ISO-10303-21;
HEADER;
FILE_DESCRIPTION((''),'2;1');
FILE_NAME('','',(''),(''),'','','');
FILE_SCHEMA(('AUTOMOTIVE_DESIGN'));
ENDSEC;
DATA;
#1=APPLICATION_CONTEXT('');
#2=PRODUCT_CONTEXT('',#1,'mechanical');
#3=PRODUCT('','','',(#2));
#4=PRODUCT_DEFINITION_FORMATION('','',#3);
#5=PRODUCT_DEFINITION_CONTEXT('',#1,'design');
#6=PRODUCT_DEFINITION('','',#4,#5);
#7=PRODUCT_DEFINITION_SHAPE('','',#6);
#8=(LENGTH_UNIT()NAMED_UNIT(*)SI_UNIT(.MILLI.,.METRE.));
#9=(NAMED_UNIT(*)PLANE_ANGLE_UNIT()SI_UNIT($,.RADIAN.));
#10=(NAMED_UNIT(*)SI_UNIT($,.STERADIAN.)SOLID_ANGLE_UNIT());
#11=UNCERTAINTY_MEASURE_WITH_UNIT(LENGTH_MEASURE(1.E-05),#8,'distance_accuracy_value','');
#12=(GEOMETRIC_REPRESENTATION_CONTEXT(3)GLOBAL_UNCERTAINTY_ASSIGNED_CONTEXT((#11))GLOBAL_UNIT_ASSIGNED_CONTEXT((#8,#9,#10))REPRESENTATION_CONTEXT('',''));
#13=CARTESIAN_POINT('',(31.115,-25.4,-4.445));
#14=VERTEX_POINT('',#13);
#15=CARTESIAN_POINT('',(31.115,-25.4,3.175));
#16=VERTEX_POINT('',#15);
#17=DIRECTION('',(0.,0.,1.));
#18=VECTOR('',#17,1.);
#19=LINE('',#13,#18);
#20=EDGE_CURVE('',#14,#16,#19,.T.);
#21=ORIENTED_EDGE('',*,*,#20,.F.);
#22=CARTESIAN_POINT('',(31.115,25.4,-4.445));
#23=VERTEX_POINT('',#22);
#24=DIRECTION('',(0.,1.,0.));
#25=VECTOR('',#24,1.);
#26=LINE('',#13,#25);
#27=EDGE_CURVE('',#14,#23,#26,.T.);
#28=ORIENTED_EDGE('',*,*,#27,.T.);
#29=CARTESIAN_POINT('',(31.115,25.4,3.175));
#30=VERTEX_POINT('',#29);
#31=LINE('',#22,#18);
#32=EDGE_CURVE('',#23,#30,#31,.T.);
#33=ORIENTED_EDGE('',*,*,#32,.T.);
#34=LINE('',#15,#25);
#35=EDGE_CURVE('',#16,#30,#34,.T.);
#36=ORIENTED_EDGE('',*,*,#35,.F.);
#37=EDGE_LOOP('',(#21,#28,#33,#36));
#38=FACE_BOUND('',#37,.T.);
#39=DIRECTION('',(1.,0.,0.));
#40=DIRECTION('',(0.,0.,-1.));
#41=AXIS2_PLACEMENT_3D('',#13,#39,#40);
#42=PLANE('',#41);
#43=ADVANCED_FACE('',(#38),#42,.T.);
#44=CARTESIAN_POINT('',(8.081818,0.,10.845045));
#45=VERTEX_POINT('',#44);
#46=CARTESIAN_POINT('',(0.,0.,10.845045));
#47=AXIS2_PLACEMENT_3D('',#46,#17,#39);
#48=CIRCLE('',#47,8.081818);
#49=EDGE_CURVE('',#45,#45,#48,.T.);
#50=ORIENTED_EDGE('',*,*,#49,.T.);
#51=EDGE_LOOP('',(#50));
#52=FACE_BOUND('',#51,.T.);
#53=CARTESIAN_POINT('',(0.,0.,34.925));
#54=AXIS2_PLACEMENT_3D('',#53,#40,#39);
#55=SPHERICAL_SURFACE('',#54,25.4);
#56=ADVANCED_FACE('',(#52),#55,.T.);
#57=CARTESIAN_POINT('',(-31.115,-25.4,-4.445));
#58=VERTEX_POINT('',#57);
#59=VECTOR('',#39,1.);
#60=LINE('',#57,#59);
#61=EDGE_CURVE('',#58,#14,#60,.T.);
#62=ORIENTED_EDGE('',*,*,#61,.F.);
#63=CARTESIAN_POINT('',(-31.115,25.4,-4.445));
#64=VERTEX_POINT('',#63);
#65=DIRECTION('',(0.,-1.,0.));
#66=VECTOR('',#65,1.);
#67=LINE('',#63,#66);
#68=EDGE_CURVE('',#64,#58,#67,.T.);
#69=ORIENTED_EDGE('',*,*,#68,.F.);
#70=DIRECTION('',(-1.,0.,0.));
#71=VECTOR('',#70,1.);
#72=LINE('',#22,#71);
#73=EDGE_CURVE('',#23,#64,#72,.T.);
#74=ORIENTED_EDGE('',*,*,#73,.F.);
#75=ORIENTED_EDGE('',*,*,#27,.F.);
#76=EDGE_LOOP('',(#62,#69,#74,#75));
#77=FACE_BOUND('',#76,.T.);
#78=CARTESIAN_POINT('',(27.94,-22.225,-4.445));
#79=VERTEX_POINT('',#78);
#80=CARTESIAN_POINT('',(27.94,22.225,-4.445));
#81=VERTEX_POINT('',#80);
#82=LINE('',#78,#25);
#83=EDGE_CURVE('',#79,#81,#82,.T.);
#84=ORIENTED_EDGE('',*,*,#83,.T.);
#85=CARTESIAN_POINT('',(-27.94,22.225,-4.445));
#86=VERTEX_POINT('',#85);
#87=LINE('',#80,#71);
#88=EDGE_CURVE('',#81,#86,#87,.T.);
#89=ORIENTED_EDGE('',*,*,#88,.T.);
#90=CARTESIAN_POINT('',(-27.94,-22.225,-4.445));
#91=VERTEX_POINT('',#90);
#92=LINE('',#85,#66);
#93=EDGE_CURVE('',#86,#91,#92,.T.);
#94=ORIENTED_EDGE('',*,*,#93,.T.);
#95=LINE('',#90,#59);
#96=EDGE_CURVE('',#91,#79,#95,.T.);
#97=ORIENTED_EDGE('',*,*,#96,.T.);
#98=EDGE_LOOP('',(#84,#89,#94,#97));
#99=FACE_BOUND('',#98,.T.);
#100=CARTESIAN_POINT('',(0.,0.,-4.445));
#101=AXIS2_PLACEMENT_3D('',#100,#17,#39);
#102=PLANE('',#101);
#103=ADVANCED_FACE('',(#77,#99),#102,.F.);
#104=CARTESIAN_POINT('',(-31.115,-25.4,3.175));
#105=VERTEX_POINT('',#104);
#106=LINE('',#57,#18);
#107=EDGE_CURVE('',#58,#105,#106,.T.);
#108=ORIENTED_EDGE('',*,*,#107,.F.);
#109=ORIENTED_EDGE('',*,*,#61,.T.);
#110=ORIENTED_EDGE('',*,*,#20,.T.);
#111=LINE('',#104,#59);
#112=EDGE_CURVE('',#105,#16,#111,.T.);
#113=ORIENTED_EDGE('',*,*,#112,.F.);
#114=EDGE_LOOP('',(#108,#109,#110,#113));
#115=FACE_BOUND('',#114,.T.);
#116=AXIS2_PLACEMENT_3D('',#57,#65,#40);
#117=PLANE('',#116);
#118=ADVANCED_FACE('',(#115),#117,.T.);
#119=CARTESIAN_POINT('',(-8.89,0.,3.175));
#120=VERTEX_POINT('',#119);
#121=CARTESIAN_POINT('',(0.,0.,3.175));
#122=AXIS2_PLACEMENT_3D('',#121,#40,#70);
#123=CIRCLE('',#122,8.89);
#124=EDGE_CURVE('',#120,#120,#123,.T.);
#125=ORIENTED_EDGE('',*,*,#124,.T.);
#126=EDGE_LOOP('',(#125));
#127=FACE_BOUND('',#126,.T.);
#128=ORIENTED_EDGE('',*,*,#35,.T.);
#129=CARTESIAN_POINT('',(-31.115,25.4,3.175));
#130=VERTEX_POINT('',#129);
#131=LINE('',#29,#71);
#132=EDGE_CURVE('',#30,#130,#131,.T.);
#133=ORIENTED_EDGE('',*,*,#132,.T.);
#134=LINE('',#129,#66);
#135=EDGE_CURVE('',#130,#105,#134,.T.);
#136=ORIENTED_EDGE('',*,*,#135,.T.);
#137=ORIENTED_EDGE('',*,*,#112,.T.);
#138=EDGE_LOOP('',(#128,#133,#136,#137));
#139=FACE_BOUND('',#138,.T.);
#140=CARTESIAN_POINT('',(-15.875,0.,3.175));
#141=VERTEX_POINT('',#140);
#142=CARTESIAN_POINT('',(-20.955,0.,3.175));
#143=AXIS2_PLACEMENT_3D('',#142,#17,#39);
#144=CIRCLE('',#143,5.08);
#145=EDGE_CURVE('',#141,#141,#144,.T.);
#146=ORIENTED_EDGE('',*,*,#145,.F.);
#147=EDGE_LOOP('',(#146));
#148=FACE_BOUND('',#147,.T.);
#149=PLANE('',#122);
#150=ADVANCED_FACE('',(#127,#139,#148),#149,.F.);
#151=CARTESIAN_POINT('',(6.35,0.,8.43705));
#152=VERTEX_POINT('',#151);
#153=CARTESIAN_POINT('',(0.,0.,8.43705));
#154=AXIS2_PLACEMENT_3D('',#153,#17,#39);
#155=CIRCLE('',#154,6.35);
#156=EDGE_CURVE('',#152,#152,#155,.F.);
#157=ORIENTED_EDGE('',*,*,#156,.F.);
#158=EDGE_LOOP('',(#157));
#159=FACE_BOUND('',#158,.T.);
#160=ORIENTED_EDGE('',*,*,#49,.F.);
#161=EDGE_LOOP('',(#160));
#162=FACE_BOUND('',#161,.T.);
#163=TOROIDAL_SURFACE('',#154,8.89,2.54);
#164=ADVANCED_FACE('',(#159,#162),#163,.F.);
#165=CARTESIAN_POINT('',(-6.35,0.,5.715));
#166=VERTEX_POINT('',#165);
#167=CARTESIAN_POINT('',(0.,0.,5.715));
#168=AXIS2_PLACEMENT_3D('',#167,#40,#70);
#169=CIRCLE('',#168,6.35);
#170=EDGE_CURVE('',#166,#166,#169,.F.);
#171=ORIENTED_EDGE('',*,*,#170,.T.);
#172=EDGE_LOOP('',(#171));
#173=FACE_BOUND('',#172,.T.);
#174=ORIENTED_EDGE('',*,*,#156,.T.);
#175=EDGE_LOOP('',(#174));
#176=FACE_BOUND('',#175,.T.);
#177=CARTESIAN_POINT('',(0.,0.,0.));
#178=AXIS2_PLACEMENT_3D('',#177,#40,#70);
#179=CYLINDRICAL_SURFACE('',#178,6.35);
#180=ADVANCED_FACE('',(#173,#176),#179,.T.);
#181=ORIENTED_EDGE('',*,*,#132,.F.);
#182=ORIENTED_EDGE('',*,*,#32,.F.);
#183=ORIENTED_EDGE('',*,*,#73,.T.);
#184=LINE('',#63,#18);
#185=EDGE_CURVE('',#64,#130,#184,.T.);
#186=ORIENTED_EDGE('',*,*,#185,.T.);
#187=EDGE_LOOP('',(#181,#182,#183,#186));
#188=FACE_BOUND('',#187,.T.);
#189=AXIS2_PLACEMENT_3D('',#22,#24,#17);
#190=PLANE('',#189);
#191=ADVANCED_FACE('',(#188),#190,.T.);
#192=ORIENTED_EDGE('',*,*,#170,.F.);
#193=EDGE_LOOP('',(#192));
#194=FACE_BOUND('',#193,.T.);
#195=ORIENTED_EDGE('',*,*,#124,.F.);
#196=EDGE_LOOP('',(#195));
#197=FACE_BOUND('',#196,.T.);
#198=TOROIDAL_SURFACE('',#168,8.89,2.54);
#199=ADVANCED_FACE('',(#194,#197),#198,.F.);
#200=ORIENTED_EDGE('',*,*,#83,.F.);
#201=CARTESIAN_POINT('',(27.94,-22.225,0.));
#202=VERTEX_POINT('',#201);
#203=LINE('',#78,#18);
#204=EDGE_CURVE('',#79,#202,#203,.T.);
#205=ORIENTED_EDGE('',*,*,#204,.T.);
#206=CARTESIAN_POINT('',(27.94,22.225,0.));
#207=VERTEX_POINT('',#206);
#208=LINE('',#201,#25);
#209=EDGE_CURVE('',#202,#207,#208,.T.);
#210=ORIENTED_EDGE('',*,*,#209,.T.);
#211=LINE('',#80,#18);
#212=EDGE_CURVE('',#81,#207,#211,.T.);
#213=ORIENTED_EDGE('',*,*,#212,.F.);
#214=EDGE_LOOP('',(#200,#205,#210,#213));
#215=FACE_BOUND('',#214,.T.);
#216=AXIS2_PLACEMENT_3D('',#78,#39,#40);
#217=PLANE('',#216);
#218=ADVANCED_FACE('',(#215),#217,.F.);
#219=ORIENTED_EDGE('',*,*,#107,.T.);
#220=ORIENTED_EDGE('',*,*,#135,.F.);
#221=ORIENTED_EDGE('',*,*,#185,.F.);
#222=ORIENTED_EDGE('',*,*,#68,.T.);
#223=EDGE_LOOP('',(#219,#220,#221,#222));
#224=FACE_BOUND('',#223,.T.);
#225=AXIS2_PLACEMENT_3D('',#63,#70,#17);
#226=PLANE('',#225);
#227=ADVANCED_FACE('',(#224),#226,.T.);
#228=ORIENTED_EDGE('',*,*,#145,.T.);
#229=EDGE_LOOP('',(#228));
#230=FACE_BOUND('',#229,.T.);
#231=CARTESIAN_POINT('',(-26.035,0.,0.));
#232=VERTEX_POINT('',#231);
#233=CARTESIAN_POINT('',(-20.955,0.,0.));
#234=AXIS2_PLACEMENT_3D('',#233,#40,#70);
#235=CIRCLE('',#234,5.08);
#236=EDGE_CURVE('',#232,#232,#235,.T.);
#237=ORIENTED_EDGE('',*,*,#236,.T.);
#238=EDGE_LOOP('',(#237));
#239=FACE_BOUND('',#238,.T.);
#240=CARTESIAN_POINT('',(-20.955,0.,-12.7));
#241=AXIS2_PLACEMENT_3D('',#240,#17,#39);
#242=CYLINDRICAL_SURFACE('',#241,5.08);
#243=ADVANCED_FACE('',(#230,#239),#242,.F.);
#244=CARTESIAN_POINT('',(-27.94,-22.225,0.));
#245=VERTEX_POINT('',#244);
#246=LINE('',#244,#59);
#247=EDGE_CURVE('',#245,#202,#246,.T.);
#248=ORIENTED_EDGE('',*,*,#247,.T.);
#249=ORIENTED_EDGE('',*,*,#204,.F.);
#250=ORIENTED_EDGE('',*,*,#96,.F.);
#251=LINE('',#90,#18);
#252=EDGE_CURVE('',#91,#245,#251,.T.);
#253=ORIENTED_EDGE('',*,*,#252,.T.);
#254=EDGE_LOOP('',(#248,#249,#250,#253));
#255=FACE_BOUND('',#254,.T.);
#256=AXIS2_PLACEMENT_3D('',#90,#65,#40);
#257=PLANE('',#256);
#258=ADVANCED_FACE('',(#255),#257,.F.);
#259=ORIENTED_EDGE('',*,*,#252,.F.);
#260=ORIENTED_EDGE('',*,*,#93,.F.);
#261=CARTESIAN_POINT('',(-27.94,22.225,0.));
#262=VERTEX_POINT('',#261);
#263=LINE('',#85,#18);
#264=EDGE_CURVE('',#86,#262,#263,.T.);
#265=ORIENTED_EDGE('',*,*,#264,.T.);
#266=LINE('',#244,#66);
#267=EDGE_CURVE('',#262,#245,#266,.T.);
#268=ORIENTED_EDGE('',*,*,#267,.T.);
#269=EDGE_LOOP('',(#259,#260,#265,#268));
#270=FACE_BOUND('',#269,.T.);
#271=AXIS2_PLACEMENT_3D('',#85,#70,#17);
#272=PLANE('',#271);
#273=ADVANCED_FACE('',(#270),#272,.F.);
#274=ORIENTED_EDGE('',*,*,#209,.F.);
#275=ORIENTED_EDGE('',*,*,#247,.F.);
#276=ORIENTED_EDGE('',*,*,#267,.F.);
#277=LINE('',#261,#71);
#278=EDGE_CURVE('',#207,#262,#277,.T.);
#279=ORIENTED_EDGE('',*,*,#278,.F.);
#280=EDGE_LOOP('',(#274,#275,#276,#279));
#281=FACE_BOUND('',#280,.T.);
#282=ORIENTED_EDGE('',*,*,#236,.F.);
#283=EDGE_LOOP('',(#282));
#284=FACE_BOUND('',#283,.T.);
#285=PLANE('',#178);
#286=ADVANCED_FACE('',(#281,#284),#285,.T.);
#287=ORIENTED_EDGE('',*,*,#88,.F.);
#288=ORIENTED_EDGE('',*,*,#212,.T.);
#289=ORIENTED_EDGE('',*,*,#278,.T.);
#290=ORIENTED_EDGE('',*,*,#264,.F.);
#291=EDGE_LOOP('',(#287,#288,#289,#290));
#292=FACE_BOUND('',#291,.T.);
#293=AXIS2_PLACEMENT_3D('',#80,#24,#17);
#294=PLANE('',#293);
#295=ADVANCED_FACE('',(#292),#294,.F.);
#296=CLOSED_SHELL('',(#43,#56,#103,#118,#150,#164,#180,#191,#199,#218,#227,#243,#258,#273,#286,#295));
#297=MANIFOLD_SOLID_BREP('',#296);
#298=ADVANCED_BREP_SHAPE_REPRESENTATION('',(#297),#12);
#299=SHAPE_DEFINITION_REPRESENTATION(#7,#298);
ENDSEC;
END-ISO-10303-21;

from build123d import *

# Parameters (mm, degrees)
SKETCH1_W           = 55.88
SKETCH1_H           = 44.45
BOSS_EXTRUDE1_DEPTH = 3.175
SKETCH2_W           = 62.23
SKETCH2_H           = 50.8
SKETCH2_W_2         = 55.88
SKETCH2_H_2         = 44.45
BOSS_EXTRUDE2_DEPTH = 7.62
FILLET1_R           = 2.54
SKETCH4_R           = 5.08
CUT_EXTRUDE1_DEPTH  = 15.875


with BuildPart() as part:
    # Sketch1 → Boss-Extrude1 (new body)
    with BuildSketch(Plane.XY):
        Rectangle(SKETCH1_W, SKETCH1_H)
    extrude(amount=BOSS_EXTRUDE1_DEPTH)

    # Sketch2 → Boss-Extrude2 (add)
    with BuildSketch(Plane.XY.offset(3.175)):
        Rectangle(SKETCH2_W, SKETCH2_H)
        Rectangle(SKETCH2_W_2, SKETCH2_H_2, mode=Mode.SUBTRACT)
    extrude(amount=-BOSS_EXTRUDE2_DEPTH)

    # Sketch3 → Revolve1 (revolve)
    with BuildSketch(Plane(origin=(0, 0, 0), x_dir=(1, 0, 0), z_dir=(0, 1, 0)), mode=Mode.PRIVATE) as revolve1_sk:
        with BuildLine():
            Line((0, -3.175), (6.35, -3.175))
            Line((6.35, -3.175), (6.35, -10.331555752))
            ThreePointArc((6.35, -10.331555752), (25.197554285, -38.125509029), (0, -60.325))
            Line((0, -60.325), (0, -3.175))
        make_face()
    revolve(revolve1_sk.sketch.rotate(Axis((0, 0, 0), (0, 0, 1)), 180), axis=Axis((0, 0, 0), (0, 0, 1)))

    # Fillet1
    fillet1_edges = [part.edges().sort_by_distance(p)[0] for p in [
        (6.35, 0, 3.175),
        (6.35, 0, 10.331555752),
    ]]
    fillet(fillet1_edges, radius=FILLET1_R)

    # Sketch4 → Cut-Extrude1 (cut)
    with BuildSketch(Plane.XY.offset(3.175)):
        with Locations((-20.955, 0)):
            Circle(SKETCH4_R)
    extrude(amount=-CUT_EXTRUDE1_DEPTH, mode=Mode.SUBTRACT)


solid = part.part
